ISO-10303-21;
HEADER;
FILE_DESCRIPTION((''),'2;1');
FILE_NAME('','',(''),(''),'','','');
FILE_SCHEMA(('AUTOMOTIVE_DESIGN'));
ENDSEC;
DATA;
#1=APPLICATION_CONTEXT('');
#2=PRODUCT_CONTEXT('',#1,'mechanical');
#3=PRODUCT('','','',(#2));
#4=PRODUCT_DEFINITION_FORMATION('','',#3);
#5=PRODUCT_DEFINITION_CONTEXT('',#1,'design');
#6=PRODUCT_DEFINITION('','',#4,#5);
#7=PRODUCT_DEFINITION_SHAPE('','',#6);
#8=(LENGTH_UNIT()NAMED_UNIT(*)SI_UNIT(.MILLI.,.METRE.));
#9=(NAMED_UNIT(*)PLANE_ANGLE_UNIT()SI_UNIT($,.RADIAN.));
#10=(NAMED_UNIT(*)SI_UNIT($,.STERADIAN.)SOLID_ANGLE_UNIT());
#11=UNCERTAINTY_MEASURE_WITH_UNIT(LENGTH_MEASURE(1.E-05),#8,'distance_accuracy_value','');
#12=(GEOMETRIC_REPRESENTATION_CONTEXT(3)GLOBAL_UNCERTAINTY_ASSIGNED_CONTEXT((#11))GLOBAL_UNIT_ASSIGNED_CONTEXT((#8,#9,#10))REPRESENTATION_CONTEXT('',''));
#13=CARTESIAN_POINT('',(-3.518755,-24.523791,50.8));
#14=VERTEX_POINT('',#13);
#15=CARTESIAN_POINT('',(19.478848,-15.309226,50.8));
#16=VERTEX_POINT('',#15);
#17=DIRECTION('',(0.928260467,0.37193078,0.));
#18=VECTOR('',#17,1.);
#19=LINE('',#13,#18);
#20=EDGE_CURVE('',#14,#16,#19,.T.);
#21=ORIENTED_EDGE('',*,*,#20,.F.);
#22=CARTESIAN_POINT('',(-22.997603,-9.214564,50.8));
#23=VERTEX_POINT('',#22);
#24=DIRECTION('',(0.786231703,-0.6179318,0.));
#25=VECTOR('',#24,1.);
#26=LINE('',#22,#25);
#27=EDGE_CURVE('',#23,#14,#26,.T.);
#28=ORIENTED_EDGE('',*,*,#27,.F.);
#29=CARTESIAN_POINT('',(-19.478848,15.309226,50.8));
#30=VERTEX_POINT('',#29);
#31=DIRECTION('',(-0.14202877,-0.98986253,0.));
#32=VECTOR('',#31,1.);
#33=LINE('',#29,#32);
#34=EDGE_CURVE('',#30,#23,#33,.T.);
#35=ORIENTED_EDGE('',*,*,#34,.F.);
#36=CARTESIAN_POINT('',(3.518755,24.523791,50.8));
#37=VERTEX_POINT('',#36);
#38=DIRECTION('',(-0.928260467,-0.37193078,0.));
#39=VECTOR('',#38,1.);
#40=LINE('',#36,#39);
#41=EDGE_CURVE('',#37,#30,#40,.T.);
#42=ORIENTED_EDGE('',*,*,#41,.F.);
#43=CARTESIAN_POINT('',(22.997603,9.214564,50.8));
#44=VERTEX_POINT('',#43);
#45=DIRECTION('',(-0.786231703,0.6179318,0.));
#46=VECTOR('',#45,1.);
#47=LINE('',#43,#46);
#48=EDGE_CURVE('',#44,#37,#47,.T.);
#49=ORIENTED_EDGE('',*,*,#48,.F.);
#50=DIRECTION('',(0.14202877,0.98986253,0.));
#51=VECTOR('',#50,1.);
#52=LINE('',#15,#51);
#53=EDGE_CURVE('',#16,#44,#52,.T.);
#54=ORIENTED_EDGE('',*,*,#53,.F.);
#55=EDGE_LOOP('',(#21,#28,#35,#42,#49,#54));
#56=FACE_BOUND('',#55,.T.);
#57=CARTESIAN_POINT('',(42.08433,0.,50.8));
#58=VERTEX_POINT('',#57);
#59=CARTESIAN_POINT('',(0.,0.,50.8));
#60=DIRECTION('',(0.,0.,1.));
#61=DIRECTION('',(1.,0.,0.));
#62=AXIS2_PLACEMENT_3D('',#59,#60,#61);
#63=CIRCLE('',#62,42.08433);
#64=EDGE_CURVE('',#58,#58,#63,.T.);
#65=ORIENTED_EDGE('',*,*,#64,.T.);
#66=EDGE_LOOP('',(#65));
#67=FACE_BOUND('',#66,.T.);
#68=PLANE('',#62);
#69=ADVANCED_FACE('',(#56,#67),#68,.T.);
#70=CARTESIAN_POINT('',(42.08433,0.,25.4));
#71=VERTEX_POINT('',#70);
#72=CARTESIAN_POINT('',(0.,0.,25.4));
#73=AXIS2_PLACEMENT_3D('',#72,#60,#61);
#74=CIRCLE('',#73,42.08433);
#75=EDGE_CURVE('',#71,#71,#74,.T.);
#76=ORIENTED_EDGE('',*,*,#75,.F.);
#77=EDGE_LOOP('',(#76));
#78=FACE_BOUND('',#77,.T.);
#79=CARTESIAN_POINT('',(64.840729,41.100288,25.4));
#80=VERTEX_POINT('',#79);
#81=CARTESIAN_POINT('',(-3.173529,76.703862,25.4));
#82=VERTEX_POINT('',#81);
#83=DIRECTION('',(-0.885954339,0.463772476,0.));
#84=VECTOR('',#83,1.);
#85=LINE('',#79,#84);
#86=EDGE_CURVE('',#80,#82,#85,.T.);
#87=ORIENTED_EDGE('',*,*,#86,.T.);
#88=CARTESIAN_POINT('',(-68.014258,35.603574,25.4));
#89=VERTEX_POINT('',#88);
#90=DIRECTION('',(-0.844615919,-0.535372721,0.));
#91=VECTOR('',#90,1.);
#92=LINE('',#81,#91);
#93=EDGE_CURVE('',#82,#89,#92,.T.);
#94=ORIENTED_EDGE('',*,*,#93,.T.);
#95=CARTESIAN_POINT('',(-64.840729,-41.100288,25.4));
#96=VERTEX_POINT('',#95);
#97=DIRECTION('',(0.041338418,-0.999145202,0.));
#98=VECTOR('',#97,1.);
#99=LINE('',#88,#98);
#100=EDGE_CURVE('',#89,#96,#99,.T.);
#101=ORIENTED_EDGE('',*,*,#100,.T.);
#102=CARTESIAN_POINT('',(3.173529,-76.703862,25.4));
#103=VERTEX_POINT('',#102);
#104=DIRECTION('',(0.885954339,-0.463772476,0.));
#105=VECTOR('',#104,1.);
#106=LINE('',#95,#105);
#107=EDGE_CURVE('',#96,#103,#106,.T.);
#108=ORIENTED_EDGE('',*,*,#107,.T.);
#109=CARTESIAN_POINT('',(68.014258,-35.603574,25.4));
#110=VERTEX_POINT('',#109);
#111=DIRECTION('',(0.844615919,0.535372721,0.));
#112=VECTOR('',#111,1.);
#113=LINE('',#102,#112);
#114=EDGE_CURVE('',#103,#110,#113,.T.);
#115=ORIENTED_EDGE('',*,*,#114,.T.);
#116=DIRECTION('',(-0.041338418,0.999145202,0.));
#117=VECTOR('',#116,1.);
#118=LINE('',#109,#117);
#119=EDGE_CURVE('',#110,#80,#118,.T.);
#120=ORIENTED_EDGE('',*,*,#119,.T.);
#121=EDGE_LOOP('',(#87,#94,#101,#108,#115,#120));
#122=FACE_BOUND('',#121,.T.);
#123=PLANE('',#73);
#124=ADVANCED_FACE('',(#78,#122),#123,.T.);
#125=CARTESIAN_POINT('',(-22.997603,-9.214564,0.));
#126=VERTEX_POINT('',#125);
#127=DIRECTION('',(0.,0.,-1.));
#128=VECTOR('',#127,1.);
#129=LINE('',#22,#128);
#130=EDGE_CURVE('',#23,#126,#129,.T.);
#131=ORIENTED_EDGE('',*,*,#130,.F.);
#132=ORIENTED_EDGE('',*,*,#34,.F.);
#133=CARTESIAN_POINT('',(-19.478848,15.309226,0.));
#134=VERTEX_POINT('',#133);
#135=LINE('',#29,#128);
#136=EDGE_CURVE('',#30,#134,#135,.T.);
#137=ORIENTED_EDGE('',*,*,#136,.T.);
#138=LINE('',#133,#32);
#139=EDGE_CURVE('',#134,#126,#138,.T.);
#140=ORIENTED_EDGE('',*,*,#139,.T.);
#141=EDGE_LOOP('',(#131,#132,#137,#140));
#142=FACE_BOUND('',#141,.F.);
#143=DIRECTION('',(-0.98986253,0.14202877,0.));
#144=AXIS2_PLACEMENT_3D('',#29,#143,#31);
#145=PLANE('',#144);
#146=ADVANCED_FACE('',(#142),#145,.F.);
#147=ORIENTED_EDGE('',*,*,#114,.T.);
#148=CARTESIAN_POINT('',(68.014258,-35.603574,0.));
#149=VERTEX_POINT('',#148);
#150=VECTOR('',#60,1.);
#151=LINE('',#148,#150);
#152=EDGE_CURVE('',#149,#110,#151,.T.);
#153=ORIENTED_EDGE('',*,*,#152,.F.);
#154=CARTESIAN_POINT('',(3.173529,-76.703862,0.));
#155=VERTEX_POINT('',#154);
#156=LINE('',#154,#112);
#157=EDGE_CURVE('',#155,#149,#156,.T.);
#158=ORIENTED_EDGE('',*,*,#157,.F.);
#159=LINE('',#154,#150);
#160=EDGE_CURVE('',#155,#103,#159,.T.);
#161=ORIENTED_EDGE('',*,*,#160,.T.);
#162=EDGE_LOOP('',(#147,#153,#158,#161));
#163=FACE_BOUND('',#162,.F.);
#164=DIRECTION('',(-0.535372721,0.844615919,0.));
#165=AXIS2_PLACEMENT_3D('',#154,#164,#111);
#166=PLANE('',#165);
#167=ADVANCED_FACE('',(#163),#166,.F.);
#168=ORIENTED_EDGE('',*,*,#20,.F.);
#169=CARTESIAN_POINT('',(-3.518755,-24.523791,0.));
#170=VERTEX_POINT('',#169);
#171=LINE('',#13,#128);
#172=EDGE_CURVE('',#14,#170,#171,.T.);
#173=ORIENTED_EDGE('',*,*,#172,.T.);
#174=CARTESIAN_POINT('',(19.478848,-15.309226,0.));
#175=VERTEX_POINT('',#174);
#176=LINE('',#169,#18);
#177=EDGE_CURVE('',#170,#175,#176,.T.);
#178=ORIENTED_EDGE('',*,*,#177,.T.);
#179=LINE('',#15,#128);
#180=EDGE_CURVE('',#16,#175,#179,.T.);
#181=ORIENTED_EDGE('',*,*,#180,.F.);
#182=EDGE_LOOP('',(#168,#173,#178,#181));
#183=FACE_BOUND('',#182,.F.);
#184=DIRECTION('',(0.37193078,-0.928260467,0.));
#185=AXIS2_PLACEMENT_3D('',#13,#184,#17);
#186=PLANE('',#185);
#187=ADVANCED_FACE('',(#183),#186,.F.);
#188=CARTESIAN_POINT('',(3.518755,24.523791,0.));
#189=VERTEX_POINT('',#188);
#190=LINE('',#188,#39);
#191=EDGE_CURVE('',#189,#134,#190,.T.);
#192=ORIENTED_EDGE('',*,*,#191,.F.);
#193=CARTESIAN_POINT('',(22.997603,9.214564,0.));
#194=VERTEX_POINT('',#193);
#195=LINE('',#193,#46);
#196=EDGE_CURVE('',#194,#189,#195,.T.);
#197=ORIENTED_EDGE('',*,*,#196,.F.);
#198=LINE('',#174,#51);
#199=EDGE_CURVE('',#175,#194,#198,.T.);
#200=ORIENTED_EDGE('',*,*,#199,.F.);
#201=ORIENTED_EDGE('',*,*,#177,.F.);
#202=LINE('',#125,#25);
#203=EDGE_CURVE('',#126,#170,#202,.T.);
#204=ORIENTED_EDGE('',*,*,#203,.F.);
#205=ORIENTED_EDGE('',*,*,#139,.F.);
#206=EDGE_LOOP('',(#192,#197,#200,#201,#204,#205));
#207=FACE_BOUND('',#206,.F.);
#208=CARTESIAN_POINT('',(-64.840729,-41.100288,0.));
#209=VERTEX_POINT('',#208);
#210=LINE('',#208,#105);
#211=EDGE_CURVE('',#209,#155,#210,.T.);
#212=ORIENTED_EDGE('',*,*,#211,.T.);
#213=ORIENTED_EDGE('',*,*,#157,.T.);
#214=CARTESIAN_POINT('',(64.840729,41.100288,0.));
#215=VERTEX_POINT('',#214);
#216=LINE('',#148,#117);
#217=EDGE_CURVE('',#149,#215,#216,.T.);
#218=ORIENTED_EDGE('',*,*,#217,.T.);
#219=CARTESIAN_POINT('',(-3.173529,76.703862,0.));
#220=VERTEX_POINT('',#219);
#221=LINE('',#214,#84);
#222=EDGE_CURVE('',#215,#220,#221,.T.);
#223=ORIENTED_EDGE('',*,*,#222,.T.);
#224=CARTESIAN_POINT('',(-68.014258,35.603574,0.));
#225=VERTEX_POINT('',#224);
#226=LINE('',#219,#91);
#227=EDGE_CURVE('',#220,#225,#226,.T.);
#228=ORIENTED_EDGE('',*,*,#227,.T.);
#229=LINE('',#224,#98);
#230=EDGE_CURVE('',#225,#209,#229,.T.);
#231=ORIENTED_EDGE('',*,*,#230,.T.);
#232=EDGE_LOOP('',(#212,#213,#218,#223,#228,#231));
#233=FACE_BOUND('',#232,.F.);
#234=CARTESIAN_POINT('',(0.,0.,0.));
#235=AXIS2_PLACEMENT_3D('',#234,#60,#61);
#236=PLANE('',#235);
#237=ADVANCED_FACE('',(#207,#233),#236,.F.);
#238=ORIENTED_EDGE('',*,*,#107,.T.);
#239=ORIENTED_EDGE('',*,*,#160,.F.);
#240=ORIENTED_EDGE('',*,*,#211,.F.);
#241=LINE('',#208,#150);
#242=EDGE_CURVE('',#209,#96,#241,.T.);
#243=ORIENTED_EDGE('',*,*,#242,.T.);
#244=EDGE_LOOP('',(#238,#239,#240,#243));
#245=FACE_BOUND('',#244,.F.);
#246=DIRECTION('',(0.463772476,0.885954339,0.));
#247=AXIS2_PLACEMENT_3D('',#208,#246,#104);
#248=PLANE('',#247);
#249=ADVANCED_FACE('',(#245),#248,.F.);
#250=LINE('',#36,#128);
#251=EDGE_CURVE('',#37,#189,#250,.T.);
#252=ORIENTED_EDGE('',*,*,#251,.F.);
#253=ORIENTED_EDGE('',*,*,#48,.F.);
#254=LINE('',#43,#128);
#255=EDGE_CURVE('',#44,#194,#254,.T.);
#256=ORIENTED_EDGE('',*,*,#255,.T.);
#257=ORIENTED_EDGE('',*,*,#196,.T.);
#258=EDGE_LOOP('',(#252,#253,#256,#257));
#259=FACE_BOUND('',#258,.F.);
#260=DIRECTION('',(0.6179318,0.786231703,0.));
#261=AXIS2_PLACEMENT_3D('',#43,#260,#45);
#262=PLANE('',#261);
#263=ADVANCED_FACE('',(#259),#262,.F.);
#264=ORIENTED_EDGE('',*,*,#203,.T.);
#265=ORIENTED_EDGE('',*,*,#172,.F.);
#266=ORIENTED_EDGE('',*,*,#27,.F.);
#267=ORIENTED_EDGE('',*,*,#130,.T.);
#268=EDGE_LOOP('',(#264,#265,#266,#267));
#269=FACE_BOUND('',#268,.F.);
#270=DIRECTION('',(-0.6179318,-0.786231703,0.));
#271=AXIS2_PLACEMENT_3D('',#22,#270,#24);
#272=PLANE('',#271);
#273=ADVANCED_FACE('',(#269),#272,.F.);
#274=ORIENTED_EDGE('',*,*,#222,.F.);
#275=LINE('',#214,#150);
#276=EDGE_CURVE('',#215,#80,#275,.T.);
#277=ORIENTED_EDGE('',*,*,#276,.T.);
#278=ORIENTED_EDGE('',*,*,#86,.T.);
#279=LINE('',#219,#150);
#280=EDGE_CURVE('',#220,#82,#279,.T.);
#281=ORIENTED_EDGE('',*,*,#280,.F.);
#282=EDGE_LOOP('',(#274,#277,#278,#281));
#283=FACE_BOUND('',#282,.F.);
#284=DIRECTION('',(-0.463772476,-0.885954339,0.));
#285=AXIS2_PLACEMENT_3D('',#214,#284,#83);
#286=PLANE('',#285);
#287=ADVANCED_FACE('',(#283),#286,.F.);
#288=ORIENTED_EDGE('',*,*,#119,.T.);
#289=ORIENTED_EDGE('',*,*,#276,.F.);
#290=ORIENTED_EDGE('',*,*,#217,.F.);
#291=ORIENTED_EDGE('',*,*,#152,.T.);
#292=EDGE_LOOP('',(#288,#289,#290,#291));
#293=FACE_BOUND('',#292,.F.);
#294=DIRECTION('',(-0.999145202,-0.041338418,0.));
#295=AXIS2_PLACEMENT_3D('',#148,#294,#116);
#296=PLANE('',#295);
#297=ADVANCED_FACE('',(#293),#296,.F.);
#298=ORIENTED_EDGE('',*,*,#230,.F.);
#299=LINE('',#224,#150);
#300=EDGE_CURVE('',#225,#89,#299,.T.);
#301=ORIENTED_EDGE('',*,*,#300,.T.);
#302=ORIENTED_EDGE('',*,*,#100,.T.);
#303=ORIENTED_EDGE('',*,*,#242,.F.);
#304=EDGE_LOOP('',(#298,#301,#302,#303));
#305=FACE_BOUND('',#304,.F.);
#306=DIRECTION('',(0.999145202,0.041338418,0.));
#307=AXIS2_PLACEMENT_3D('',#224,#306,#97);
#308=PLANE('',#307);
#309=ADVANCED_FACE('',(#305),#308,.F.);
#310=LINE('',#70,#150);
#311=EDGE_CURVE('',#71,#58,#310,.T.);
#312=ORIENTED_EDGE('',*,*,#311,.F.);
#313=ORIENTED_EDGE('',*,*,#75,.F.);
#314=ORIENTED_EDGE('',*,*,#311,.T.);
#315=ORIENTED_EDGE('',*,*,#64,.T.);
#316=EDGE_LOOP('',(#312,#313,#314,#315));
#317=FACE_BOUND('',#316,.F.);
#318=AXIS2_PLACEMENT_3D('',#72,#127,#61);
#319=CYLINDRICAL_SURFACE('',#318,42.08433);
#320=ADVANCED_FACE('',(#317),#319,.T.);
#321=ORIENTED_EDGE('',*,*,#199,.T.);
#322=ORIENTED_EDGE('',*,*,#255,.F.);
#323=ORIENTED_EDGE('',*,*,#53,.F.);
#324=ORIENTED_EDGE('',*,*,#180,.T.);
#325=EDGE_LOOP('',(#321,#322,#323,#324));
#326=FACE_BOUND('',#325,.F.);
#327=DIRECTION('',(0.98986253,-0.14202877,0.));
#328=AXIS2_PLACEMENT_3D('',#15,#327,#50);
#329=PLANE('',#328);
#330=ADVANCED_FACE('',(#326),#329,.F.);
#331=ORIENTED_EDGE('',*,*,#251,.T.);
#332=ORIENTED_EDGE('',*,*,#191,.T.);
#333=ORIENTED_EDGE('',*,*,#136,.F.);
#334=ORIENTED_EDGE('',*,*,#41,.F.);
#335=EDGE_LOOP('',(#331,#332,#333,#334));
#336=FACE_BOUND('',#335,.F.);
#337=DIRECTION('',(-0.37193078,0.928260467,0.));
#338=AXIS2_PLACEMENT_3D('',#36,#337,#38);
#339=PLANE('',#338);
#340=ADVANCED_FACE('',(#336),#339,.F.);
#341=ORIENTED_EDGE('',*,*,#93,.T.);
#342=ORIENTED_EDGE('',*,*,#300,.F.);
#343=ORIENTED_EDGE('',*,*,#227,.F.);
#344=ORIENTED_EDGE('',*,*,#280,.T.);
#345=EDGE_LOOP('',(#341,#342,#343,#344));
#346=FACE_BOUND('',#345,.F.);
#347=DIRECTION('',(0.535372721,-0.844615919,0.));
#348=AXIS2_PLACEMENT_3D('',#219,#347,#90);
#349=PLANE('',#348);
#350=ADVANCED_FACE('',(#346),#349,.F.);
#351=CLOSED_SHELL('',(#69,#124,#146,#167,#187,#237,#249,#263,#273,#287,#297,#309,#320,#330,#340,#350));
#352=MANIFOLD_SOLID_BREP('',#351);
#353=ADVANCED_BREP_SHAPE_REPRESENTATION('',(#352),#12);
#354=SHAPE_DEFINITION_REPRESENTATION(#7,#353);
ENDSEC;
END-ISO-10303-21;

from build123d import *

# Parameters (mm, degrees)
F1_DEPTH = 25.4
F2_R     = 42.08433
F3_DEPTH = 25.4
F5_DEPTH = 50.8


with BuildPart() as f1:
    # F0 (on Top) → F1 (new body)
    with BuildSketch(Plane.XY):
        Polygon((-3.173529, 76.703862), (-68.014258, 35.603574), (-64.840729, -41.100288), (3.173529, -76.703862), (68.014258, -35.603574), (64.840729, 41.100288), align=None)
    extrude(amount=F1_DEPTH)

    # F2 (on face) → F3 (join)
    with BuildSketch(Plane.XY.offset(25.4)):
        Circle(F2_R)
    extrude(amount=F3_DEPTH)

    # F4 (on face) → F5 (cut, through all)
    with BuildSketch(Plane.XY.offset(50.8)):
        Polygon((3.518755, 24.523791), (-19.478848, 15.309226), (-22.997603, -9.214564), (-3.518755, -24.523791), (19.478848, -15.309226), (22.997603, 9.214564), align=None)
    extrude(amount=-F5_DEPTH, mode=Mode.SUBTRACT)


solid = f1.part
